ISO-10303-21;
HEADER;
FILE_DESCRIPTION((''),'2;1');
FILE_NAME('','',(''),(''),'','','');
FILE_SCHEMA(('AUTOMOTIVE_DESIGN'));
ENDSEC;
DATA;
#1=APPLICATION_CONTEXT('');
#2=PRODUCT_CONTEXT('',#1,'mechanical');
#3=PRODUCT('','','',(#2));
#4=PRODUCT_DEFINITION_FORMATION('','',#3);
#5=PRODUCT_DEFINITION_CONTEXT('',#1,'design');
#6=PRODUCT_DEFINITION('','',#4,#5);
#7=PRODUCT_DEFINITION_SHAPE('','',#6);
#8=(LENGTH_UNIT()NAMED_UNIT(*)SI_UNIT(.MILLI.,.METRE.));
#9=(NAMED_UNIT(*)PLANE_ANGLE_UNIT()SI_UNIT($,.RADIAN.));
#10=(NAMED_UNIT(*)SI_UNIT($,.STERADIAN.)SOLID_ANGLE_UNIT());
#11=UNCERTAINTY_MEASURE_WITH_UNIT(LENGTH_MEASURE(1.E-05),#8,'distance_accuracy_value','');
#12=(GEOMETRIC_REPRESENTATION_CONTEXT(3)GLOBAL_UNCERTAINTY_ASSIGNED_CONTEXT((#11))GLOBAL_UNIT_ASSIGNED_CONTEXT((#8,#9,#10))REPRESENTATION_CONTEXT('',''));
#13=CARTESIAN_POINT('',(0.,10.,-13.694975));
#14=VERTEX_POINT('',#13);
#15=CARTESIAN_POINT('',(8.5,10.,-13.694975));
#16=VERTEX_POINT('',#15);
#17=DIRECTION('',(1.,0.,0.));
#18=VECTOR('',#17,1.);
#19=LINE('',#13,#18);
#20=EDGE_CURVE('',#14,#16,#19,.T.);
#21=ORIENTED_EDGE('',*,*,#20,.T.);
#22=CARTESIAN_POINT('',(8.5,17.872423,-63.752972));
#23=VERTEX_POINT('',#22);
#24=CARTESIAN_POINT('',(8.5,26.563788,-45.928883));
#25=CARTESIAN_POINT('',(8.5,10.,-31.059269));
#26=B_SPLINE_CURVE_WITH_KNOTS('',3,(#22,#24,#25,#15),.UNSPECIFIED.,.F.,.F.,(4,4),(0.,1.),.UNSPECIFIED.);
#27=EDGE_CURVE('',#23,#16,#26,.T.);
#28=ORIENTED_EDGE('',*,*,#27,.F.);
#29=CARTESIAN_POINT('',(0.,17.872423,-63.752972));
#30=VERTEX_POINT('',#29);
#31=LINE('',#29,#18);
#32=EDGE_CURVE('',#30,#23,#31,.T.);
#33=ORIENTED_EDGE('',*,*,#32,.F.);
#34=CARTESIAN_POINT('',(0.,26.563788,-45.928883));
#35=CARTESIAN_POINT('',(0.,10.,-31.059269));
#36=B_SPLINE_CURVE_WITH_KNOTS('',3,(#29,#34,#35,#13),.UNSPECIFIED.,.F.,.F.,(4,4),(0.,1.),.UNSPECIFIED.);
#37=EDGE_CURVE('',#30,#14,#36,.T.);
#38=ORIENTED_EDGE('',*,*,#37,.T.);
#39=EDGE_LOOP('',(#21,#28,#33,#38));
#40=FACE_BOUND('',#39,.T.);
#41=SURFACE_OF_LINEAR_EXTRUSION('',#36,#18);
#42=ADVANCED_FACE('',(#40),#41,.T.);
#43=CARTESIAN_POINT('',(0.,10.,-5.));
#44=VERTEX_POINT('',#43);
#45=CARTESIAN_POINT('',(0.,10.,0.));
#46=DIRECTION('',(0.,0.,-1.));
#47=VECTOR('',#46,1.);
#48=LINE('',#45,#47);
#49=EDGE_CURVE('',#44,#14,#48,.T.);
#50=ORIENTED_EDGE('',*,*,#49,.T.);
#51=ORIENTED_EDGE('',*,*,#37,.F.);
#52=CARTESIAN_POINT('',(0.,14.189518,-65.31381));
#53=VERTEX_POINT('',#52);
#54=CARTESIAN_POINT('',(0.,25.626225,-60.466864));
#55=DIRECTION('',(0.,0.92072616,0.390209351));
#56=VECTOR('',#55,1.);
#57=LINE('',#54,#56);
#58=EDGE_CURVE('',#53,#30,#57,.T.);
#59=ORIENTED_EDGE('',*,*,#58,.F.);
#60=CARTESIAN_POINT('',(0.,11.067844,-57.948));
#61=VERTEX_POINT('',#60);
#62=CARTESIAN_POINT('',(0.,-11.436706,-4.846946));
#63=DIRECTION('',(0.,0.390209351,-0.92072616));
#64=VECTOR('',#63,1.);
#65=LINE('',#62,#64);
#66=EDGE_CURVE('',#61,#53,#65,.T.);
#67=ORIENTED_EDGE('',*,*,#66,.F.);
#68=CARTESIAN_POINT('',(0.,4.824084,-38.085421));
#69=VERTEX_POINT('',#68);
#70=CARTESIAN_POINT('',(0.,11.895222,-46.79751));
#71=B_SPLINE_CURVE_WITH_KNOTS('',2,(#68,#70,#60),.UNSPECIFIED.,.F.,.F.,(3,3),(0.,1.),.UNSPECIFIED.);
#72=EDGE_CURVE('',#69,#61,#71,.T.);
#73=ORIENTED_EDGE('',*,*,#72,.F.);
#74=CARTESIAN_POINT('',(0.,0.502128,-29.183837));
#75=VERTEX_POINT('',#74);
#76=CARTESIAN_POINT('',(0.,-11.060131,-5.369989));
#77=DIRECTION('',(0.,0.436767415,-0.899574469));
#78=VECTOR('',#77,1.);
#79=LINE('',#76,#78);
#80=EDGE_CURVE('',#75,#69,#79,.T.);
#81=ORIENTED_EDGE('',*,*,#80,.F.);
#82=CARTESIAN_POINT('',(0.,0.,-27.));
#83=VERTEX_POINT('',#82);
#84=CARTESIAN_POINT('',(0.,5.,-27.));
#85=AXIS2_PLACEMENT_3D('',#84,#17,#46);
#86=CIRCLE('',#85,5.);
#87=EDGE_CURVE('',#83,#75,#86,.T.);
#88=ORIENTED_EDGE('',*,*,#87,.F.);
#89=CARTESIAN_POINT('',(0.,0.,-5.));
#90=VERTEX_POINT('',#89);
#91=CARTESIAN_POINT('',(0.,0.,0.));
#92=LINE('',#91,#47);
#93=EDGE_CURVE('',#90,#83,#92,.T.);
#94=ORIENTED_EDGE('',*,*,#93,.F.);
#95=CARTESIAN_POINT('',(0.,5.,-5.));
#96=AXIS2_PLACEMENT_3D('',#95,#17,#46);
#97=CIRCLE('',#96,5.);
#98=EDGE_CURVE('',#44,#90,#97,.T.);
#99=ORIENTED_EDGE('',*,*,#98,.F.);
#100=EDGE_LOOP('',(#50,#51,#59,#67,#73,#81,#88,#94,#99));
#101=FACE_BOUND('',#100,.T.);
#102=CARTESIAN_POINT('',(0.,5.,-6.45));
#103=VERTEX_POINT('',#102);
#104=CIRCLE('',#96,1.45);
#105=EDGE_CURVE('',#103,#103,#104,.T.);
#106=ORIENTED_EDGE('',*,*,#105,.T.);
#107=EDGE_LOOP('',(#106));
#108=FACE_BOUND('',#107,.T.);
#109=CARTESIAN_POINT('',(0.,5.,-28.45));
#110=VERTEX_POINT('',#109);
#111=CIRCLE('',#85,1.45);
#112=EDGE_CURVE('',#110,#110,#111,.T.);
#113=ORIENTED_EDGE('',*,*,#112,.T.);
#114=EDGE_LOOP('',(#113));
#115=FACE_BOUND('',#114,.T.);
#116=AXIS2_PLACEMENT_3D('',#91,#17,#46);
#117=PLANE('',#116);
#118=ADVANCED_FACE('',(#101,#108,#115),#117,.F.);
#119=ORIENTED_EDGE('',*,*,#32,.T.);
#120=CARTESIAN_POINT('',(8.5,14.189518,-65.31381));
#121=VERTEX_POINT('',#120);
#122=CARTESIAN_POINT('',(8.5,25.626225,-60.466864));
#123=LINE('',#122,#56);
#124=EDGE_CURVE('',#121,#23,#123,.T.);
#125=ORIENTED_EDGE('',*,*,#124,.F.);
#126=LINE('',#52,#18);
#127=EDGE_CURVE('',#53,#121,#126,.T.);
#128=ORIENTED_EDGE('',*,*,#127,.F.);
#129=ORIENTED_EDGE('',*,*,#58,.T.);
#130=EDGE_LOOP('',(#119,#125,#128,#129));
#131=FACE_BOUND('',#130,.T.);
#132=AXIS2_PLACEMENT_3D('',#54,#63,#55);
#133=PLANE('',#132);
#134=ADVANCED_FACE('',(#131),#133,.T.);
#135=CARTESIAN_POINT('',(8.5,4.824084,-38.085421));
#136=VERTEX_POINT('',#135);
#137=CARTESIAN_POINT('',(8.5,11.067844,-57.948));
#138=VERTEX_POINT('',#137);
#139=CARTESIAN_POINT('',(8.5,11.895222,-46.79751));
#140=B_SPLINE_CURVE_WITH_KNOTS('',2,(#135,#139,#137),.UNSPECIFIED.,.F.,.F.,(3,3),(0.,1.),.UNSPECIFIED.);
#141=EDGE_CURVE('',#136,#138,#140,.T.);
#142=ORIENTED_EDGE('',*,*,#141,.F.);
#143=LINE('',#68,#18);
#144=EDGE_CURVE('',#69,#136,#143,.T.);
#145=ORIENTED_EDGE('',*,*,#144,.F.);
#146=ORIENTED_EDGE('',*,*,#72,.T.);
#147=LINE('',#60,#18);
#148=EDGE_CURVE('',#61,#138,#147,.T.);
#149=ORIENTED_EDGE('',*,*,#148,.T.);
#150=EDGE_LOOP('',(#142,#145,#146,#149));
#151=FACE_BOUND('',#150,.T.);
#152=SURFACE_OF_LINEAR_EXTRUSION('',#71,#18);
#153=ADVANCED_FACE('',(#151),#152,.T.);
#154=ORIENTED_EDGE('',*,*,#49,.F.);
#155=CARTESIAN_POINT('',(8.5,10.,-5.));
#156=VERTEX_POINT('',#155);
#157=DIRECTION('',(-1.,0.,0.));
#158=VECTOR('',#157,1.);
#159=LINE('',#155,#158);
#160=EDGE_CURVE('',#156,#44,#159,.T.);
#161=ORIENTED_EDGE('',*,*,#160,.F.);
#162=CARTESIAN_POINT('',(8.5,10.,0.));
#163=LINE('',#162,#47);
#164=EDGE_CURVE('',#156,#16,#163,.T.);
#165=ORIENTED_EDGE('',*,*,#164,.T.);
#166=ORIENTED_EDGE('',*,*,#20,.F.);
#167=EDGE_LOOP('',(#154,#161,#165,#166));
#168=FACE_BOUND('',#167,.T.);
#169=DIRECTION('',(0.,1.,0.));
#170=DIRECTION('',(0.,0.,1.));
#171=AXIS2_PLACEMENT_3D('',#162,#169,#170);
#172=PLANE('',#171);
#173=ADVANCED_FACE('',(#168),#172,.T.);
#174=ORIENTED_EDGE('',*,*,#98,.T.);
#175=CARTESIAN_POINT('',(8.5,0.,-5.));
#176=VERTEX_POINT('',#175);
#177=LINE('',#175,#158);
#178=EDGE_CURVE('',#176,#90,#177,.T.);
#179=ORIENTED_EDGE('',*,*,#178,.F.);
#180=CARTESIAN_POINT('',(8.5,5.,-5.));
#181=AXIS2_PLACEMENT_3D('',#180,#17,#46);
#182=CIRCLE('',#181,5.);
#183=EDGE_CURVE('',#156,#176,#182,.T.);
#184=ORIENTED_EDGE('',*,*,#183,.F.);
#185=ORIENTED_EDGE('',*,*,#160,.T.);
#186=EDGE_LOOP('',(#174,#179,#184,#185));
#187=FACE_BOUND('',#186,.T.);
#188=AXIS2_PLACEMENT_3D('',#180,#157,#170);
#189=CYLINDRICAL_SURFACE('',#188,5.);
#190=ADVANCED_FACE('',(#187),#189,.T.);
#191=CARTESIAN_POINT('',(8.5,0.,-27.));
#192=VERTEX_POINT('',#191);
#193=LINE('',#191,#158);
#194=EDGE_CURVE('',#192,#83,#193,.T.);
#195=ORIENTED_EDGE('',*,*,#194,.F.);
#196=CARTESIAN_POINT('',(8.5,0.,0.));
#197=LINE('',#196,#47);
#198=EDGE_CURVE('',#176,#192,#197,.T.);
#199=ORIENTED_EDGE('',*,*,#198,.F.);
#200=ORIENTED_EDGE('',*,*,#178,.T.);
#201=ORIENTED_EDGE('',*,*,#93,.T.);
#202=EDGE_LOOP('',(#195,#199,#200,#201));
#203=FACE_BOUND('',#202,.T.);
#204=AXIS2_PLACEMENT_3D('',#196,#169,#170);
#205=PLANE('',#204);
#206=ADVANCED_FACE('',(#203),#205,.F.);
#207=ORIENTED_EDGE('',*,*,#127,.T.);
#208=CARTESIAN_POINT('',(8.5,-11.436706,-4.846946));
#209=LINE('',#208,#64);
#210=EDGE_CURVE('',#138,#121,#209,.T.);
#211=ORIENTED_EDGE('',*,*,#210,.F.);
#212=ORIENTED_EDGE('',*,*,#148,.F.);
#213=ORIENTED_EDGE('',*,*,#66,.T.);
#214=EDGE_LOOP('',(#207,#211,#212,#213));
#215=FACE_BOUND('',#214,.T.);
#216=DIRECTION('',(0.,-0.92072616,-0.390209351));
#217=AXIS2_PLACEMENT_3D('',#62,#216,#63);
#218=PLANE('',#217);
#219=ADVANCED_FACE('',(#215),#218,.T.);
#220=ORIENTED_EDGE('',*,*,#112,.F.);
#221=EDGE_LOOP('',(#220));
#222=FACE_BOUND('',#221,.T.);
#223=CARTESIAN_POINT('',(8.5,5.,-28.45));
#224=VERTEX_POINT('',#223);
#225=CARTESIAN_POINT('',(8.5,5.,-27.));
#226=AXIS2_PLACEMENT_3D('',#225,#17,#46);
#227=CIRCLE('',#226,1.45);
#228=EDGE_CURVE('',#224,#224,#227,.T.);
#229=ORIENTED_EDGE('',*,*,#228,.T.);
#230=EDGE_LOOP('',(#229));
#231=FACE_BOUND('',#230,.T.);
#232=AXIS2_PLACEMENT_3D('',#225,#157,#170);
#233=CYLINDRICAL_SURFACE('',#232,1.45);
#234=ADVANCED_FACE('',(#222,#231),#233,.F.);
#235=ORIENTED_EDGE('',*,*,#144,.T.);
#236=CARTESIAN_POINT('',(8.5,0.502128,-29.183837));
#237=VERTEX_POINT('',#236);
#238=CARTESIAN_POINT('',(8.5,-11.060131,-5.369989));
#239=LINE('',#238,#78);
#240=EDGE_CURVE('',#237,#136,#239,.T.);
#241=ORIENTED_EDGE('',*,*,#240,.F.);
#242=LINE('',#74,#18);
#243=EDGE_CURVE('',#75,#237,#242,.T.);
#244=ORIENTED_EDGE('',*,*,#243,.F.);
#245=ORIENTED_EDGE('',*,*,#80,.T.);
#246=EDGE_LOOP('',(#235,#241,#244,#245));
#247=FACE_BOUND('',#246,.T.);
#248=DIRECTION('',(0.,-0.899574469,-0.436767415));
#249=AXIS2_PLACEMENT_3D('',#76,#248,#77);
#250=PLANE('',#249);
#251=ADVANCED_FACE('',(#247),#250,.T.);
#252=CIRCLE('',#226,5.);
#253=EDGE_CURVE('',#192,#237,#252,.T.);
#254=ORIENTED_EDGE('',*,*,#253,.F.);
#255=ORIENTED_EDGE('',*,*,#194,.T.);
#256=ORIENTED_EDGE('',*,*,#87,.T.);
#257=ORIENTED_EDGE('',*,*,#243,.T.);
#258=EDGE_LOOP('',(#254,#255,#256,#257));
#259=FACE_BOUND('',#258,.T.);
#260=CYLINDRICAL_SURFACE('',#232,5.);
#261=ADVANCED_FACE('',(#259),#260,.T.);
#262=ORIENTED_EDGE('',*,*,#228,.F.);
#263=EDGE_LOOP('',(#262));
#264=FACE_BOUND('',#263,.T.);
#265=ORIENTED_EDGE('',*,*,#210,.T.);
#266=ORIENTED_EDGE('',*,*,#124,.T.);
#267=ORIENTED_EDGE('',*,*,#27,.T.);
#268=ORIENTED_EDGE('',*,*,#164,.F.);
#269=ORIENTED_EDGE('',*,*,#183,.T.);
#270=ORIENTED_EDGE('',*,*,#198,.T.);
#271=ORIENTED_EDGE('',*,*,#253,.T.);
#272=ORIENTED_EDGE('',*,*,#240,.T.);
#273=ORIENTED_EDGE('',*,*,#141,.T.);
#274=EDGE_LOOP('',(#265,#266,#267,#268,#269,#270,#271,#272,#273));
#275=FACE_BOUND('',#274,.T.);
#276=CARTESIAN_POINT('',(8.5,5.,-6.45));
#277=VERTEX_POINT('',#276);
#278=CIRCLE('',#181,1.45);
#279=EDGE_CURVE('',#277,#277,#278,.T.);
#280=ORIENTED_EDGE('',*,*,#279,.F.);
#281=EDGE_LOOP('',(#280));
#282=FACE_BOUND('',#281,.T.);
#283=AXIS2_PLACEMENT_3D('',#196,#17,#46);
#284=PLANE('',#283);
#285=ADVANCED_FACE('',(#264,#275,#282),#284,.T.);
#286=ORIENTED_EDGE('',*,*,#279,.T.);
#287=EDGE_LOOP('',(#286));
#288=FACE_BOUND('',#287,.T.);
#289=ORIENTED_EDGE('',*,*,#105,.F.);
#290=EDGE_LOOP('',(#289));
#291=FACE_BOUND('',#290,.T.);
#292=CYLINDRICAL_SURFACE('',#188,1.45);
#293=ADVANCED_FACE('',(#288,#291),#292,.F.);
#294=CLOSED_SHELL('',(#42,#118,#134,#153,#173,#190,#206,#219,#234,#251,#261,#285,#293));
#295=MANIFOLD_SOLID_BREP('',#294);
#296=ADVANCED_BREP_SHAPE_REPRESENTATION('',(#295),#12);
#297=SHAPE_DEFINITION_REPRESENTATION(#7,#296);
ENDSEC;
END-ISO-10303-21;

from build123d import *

# Parameters (mm, degrees)
SKETCH1_R           = 1.45
BOSS_EXTRUDE1_DEPTH = 8.5
BOSS_EXTRUDE2_START = -8.5
BOSS_EXTRUDE2_DEPTH = 8.5


with BuildPart() as part:
    # Sketch1 → Boss-Extrude1 (new body)
    with BuildSketch(Plane(origin=(0, 0, 0), x_dir=(0, 0, -1), z_dir=(1, 0, 0))):
        with BuildLine():
            Line((27, 10), (5, 10))
            ThreePointArc((5, 10), (0, 5), (5, 0))
            Line((5, 0), (27, 0))
            ThreePointArc((27, 0), (32, 5), (27, 10))
        make_face()
        with Locations((5, 5)):
            Circle(SKETCH1_R, mode=Mode.SUBTRACT)
        with Locations((27, 5)):
            Circle(SKETCH1_R, mode=Mode.SUBTRACT)
    extrude(amount=BOSS_EXTRUDE1_DEPTH)

    # Sketch2 → Boss-Extrude2 (add)
    with BuildSketch(Plane(origin=(8.5, 0, 0), x_dir=(0, 0, -1), z_dir=(1, 0, 0)).offset(BOSS_EXTRUDE2_START)):
        with BuildLine():
            add(Edge.make_bspline(
                [(63.752972286, 17.872423117), (45.928882678, 26.563787963), (31.059268621, 10), (13.694974759, 10)],
                knots=[0, 0, 0, 0, 1, 1, 1, 1], degree=3))
            Line((13.694974759, 10), (27, 10))
            ThreePointArc((27, 10), (31.87285141, 6.120410255), (29.183837075, 0.502127655))
            Line((29.183837075, 0.502127655), (38.08542066, 4.824084077))
            add(Edge.make_bspline(
                [(38.08542066, 4.824084077), (46.797509509, 11.895222457), (57.948000409, 11.067843667)],
                knots=[0, 0, 0, 1, 1, 1], degree=2))
            Line((57.948000409, 11.067843667), (65.313809691, 14.189518476))
            Line((65.313809691, 14.189518476), (63.752972286, 17.872423117))
        make_face()
    extrude(amount=BOSS_EXTRUDE2_DEPTH)


solid = part.part
